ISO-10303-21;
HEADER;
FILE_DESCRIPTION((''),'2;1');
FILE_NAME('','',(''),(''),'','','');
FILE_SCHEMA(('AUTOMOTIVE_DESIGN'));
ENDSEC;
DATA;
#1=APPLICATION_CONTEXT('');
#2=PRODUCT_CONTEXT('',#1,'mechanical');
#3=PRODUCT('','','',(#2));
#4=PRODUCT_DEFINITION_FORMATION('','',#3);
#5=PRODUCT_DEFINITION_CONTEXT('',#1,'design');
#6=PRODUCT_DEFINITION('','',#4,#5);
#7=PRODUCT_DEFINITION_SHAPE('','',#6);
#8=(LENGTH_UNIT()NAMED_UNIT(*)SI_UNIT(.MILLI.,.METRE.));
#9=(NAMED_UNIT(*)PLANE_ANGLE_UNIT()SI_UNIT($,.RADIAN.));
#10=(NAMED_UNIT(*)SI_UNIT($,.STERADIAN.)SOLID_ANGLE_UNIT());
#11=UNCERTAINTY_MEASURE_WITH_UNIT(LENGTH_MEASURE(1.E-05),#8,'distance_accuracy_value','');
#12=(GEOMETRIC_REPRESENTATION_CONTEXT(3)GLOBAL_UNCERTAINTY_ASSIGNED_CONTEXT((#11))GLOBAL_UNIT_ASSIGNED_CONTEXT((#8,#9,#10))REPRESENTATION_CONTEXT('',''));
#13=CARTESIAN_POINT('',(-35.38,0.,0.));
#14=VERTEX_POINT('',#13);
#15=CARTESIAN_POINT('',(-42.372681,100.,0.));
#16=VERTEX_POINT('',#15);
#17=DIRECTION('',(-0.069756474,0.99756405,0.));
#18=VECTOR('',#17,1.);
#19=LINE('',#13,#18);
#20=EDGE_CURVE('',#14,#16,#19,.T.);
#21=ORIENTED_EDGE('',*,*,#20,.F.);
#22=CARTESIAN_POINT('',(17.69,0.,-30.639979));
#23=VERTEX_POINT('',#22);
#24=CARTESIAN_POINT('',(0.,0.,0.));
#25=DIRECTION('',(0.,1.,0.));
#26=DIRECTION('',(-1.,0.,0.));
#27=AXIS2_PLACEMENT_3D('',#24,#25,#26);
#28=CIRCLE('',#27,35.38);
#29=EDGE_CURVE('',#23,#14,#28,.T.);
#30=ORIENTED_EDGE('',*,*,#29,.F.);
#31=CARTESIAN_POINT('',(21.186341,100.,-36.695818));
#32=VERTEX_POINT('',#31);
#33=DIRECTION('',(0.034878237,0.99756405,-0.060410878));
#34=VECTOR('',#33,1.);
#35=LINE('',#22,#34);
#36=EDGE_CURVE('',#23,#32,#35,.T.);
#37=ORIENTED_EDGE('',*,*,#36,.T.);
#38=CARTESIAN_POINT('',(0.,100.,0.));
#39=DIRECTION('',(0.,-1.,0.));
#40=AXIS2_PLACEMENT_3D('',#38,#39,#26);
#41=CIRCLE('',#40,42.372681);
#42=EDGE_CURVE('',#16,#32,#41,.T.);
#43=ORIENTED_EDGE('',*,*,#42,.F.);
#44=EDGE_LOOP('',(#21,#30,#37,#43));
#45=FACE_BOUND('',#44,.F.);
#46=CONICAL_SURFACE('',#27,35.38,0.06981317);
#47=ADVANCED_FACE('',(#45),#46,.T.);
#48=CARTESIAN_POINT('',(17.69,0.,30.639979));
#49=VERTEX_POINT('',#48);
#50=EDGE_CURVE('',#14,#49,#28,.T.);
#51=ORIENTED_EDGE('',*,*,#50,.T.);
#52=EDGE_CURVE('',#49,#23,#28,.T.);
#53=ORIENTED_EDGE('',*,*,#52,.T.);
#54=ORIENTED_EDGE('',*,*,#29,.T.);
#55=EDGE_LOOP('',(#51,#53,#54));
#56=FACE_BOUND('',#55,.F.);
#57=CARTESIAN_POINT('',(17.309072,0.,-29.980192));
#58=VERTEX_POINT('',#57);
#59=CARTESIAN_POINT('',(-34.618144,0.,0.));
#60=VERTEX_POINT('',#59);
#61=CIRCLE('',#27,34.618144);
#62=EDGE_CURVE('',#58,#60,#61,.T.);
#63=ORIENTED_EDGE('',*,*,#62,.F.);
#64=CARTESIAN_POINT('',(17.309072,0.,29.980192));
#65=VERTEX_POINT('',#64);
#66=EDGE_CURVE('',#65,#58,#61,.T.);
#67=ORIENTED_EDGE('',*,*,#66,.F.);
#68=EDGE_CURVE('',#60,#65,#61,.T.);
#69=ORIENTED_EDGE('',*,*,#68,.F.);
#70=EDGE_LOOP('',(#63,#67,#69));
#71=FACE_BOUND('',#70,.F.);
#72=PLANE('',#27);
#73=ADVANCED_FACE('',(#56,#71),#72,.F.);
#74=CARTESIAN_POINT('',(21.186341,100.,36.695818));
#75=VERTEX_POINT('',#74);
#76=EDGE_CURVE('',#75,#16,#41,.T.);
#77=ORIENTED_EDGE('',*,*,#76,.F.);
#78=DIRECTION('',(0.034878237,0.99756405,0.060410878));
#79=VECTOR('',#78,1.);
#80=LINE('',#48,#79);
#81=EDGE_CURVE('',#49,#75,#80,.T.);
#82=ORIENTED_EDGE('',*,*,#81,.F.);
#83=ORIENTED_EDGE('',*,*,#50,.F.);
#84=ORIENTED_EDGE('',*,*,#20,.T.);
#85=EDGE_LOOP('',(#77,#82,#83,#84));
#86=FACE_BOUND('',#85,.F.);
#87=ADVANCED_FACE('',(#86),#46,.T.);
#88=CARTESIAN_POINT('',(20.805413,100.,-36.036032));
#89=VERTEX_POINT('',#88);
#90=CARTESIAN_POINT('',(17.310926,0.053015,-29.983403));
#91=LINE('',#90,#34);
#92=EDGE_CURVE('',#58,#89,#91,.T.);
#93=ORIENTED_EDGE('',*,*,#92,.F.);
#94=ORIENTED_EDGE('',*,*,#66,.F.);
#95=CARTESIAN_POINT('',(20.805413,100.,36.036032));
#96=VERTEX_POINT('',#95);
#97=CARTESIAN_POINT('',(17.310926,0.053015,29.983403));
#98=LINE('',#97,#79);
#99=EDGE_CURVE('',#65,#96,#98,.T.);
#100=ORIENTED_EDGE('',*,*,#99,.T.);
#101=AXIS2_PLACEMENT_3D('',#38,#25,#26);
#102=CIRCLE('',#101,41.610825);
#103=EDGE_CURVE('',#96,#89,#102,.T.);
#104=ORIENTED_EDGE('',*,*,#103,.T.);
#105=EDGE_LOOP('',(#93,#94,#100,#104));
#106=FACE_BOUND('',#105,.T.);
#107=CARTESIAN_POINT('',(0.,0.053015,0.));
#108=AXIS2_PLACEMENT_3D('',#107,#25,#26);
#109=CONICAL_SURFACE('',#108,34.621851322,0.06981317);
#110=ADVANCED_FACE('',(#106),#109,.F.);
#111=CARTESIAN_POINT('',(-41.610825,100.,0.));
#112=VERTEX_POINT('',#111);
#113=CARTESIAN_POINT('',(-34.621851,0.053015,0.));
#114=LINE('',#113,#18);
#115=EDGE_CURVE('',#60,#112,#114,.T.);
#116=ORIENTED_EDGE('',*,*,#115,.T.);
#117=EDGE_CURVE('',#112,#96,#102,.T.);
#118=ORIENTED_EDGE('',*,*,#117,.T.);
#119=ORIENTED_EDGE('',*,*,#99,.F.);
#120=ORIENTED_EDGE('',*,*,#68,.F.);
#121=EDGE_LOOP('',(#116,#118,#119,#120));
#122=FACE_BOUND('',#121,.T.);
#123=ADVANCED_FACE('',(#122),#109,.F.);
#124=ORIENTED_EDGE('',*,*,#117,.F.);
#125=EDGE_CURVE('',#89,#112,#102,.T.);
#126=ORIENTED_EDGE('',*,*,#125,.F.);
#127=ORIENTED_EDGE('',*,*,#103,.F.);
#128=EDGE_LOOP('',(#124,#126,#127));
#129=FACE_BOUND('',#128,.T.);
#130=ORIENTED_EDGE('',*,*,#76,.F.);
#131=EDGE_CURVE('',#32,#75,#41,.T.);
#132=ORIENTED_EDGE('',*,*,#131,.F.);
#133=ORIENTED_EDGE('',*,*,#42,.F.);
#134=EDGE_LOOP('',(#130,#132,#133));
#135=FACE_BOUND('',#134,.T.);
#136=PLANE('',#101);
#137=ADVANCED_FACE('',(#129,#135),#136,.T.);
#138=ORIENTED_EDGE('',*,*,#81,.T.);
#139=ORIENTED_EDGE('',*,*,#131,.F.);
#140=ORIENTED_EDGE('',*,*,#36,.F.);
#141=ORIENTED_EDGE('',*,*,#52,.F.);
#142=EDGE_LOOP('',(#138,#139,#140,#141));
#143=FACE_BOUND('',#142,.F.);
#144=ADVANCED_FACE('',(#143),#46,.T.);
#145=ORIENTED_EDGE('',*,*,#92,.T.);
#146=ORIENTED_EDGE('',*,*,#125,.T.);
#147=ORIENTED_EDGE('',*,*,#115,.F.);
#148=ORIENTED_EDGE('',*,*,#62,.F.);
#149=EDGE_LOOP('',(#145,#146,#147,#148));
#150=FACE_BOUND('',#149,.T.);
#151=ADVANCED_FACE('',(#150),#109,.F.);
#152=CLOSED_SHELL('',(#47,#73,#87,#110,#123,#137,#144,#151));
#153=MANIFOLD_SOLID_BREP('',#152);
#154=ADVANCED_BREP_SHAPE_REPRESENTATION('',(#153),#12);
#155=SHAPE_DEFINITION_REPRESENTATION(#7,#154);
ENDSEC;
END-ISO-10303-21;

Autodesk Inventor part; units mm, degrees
ref_plane "YZ Plane" through (0, 0, 0) normal (1, 0, 0) x (0, 1, 0)
ref_plane "XZ Plane" through (0, 0, 0) normal (0, 1, 0) x (-1, 0, 0)
ref_plane "XY Plane" through (0, 0, 0) normal (0, 0, 1) x (1, 0, 0)
sketch "Sketch1" plane through (0, 0, 0) normal (0, 1, 0) x (-1, 0, 0)
  circle A0 centre (0, 0) radius 35.38
  dimension "d0" = 70.76
extrude "Extrusion1" add sketch "Sketch1" along normal blind 100 draft 4
shell "Shell1" thickness 0.76 removed faces 2 at (-8.491, 0, -6.3213) at (-14.5373, 100, 13.4329)
properties part number "A"
